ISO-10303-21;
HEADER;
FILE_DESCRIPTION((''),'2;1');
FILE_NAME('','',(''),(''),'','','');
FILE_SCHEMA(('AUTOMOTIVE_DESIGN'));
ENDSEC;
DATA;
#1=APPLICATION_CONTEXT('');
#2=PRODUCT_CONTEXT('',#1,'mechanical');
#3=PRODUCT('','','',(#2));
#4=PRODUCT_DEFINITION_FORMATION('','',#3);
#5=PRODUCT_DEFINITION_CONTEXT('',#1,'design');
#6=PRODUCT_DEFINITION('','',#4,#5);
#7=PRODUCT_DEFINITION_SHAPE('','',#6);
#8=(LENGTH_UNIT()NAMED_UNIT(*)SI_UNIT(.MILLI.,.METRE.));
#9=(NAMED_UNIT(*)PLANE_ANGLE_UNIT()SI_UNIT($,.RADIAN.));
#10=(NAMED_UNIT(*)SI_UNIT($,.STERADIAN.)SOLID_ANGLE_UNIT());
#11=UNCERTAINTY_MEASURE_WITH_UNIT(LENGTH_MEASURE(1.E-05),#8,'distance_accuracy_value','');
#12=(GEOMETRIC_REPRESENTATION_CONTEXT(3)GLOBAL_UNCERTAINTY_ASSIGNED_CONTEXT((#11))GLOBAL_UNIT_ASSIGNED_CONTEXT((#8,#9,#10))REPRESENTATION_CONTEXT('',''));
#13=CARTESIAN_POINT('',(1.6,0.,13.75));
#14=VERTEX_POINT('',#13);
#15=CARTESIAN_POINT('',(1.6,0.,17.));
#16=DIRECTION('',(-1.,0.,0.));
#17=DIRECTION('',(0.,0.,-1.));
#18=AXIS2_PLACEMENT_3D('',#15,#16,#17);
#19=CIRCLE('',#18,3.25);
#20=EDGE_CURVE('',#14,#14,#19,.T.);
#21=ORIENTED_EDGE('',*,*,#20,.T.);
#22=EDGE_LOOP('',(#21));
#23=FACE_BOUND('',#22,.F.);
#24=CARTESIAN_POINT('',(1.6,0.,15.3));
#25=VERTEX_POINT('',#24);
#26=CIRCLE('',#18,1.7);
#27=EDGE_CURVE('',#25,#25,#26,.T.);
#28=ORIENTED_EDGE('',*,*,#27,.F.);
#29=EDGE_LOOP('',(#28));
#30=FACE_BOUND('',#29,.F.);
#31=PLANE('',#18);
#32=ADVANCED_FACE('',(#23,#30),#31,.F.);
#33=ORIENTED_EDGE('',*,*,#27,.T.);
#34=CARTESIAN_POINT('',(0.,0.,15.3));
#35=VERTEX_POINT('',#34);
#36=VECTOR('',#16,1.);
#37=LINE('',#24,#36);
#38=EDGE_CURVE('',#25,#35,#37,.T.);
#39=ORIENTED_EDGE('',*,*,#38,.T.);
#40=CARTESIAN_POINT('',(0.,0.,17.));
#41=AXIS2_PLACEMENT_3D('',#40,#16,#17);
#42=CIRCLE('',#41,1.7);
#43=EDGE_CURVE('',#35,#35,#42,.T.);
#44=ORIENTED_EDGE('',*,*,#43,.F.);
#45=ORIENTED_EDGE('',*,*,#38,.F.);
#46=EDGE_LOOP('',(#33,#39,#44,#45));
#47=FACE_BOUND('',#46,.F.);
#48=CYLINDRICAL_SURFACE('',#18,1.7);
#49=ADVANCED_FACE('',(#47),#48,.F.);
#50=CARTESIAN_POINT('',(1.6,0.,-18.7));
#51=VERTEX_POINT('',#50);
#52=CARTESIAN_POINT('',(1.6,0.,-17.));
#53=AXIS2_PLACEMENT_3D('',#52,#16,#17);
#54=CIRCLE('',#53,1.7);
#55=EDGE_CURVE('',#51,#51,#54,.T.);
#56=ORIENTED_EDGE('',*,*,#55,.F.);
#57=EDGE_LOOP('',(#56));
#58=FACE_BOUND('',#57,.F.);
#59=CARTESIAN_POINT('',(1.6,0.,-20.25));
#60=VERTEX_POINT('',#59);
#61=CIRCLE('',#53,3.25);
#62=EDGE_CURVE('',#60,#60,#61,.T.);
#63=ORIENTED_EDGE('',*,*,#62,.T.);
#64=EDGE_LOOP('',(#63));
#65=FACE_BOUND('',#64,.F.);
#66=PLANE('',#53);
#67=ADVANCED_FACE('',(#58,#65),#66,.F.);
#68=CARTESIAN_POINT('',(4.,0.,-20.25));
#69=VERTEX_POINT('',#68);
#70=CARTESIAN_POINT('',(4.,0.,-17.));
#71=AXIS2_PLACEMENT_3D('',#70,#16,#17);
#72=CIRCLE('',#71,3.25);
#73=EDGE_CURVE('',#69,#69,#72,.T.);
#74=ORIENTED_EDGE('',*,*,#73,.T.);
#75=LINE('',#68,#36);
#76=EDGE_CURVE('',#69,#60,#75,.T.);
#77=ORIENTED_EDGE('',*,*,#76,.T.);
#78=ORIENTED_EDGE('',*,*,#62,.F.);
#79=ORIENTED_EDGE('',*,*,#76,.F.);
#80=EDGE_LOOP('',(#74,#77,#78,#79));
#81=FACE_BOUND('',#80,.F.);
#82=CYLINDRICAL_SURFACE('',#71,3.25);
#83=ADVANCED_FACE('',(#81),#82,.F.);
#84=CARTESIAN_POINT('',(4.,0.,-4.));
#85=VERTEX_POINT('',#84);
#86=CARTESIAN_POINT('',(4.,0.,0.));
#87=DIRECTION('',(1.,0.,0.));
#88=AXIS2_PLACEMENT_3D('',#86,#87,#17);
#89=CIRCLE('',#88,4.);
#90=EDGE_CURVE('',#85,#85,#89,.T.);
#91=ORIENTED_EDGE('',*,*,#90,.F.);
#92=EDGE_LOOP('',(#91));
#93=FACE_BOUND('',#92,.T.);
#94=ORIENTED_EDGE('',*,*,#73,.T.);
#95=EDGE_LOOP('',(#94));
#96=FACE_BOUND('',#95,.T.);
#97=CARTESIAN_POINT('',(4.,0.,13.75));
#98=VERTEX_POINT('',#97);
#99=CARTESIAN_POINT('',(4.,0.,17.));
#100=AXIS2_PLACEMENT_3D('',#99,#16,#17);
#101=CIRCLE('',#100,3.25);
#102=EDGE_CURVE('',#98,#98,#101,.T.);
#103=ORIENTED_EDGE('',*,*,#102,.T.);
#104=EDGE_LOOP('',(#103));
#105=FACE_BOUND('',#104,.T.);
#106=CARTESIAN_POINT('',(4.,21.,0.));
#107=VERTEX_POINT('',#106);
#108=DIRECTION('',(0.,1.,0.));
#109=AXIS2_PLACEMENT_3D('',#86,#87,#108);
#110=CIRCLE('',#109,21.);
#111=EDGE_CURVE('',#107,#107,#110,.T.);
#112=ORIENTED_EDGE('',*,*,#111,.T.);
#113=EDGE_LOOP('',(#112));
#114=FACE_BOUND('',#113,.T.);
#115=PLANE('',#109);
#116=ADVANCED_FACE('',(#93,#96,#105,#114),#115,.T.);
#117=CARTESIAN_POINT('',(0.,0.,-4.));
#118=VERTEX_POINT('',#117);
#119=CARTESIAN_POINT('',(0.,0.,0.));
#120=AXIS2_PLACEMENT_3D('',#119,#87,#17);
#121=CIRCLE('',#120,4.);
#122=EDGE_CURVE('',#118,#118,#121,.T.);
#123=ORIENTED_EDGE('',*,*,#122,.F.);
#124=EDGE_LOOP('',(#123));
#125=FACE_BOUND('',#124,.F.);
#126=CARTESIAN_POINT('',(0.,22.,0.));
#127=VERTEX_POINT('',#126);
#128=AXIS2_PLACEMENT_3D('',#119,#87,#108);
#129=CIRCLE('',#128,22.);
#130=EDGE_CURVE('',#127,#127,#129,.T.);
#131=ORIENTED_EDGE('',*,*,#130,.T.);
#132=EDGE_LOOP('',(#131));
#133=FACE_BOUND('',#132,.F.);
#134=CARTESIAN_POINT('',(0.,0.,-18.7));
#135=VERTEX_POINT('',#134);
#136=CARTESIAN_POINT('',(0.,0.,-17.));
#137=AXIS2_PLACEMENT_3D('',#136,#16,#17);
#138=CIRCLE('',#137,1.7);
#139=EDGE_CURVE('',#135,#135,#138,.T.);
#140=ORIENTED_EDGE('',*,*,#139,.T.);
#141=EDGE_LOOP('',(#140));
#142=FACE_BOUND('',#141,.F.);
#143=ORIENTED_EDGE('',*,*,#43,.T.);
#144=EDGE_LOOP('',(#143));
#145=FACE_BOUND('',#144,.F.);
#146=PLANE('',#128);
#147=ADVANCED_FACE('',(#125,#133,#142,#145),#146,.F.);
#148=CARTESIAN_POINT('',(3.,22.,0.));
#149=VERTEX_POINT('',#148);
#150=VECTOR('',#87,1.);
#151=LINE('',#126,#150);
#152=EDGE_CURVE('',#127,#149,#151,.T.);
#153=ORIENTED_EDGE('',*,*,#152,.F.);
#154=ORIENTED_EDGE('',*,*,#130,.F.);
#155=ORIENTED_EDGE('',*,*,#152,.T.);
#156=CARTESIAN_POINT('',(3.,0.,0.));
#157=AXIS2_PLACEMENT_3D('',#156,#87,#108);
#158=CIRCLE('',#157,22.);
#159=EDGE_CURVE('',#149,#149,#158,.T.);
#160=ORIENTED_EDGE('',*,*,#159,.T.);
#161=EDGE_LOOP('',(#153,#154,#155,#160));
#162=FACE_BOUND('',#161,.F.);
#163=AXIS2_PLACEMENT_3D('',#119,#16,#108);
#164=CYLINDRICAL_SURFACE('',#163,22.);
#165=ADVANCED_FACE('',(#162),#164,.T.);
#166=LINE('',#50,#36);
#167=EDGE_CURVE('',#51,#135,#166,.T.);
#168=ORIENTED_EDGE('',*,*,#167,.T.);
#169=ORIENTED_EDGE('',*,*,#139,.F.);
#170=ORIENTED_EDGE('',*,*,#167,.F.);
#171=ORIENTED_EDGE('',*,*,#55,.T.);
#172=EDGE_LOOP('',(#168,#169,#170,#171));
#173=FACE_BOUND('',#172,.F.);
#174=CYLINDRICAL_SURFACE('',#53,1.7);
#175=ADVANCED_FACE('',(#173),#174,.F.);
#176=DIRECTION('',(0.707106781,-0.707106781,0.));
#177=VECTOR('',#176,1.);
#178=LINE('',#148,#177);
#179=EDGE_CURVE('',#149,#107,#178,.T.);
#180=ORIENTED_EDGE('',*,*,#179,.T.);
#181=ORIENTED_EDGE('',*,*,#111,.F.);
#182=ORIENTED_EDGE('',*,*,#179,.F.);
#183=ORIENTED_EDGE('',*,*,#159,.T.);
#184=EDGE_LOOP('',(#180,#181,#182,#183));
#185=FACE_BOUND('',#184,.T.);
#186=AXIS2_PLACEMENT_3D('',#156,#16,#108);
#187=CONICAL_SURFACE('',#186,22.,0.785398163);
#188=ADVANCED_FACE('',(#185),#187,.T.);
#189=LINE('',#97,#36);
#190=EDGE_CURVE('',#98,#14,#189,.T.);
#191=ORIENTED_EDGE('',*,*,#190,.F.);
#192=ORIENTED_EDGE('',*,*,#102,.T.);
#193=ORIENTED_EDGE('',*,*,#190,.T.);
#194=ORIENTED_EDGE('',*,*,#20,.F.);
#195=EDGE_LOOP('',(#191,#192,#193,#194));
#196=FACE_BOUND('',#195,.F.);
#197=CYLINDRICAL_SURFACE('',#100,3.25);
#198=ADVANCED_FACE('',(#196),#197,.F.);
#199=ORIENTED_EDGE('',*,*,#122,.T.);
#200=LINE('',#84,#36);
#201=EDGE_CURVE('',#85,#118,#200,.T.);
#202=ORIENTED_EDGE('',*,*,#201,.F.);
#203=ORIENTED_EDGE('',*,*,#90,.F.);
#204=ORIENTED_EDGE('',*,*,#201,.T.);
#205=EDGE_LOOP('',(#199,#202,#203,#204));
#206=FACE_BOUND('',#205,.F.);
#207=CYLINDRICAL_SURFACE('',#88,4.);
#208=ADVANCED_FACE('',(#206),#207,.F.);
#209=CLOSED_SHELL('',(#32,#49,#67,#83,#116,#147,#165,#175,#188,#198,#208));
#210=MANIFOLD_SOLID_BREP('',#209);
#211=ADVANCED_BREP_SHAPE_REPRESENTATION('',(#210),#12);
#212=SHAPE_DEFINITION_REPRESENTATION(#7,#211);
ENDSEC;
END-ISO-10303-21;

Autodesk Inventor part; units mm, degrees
ref_plane "YZ Plane" through (0, 0, 0) normal (1, 0, 0) x (0, 1, 0)
ref_plane "XZ Plane" through (0, 0, 0) normal (0, 1, 0) x (-1, 0, 0)
ref_plane "XY Plane" through (0, 0, 0) normal (0, 0, 1) x (1, 0, 0)
sketch "Sketch1" plane through (0, 0, 0) normal (1, 0, 0) x (0, 1, 0)
  circle A0 centre (0, 0) radius 22
  dimension "d0" = 44
extrude "Extrusion1" add sketch "Sketch1" along normal blind 4
sketch "Sketch2" plane through (4, 0, 0) normal (1, 0, 0) x (0, 0, -1)
  circle A0 centre (-17, 0) radius 1.5
  circle A1 centre (17, 0) radius 1.5
  point P0 (0, 0)
  dimension "d3" = 3
  dimension "d4" = 3
  dimension "d5" = 34
  dimension "d6" = 17
hole "Hole1" at (4, 0, 17) at (4, 0, -17) direction (-1, 0, 0) diameter 3.4 depth 8.8 tip angle 118 counterbore diameter 6.5 counterbore depth 2.4 clearance for "Slotted Cheese Head Screw ISO 1207" size "M3" standard "ISO"
sketch "Sketch3" plane through (4, 0, 0) normal (1, 0, 0) x (0, 0, -1)
  circle A0 centre (0, 0) radius 4
  dimension "d14" = 8
extrude "Extrusion2" cut sketch "Sketch3" against normal blind 4
chamfer "Chamfer1" distance 1 angle 45 1 edges at (4, -22, 0)
equation "\"d6\" = 0.5 * d5"
properties part number "kołmierz"
